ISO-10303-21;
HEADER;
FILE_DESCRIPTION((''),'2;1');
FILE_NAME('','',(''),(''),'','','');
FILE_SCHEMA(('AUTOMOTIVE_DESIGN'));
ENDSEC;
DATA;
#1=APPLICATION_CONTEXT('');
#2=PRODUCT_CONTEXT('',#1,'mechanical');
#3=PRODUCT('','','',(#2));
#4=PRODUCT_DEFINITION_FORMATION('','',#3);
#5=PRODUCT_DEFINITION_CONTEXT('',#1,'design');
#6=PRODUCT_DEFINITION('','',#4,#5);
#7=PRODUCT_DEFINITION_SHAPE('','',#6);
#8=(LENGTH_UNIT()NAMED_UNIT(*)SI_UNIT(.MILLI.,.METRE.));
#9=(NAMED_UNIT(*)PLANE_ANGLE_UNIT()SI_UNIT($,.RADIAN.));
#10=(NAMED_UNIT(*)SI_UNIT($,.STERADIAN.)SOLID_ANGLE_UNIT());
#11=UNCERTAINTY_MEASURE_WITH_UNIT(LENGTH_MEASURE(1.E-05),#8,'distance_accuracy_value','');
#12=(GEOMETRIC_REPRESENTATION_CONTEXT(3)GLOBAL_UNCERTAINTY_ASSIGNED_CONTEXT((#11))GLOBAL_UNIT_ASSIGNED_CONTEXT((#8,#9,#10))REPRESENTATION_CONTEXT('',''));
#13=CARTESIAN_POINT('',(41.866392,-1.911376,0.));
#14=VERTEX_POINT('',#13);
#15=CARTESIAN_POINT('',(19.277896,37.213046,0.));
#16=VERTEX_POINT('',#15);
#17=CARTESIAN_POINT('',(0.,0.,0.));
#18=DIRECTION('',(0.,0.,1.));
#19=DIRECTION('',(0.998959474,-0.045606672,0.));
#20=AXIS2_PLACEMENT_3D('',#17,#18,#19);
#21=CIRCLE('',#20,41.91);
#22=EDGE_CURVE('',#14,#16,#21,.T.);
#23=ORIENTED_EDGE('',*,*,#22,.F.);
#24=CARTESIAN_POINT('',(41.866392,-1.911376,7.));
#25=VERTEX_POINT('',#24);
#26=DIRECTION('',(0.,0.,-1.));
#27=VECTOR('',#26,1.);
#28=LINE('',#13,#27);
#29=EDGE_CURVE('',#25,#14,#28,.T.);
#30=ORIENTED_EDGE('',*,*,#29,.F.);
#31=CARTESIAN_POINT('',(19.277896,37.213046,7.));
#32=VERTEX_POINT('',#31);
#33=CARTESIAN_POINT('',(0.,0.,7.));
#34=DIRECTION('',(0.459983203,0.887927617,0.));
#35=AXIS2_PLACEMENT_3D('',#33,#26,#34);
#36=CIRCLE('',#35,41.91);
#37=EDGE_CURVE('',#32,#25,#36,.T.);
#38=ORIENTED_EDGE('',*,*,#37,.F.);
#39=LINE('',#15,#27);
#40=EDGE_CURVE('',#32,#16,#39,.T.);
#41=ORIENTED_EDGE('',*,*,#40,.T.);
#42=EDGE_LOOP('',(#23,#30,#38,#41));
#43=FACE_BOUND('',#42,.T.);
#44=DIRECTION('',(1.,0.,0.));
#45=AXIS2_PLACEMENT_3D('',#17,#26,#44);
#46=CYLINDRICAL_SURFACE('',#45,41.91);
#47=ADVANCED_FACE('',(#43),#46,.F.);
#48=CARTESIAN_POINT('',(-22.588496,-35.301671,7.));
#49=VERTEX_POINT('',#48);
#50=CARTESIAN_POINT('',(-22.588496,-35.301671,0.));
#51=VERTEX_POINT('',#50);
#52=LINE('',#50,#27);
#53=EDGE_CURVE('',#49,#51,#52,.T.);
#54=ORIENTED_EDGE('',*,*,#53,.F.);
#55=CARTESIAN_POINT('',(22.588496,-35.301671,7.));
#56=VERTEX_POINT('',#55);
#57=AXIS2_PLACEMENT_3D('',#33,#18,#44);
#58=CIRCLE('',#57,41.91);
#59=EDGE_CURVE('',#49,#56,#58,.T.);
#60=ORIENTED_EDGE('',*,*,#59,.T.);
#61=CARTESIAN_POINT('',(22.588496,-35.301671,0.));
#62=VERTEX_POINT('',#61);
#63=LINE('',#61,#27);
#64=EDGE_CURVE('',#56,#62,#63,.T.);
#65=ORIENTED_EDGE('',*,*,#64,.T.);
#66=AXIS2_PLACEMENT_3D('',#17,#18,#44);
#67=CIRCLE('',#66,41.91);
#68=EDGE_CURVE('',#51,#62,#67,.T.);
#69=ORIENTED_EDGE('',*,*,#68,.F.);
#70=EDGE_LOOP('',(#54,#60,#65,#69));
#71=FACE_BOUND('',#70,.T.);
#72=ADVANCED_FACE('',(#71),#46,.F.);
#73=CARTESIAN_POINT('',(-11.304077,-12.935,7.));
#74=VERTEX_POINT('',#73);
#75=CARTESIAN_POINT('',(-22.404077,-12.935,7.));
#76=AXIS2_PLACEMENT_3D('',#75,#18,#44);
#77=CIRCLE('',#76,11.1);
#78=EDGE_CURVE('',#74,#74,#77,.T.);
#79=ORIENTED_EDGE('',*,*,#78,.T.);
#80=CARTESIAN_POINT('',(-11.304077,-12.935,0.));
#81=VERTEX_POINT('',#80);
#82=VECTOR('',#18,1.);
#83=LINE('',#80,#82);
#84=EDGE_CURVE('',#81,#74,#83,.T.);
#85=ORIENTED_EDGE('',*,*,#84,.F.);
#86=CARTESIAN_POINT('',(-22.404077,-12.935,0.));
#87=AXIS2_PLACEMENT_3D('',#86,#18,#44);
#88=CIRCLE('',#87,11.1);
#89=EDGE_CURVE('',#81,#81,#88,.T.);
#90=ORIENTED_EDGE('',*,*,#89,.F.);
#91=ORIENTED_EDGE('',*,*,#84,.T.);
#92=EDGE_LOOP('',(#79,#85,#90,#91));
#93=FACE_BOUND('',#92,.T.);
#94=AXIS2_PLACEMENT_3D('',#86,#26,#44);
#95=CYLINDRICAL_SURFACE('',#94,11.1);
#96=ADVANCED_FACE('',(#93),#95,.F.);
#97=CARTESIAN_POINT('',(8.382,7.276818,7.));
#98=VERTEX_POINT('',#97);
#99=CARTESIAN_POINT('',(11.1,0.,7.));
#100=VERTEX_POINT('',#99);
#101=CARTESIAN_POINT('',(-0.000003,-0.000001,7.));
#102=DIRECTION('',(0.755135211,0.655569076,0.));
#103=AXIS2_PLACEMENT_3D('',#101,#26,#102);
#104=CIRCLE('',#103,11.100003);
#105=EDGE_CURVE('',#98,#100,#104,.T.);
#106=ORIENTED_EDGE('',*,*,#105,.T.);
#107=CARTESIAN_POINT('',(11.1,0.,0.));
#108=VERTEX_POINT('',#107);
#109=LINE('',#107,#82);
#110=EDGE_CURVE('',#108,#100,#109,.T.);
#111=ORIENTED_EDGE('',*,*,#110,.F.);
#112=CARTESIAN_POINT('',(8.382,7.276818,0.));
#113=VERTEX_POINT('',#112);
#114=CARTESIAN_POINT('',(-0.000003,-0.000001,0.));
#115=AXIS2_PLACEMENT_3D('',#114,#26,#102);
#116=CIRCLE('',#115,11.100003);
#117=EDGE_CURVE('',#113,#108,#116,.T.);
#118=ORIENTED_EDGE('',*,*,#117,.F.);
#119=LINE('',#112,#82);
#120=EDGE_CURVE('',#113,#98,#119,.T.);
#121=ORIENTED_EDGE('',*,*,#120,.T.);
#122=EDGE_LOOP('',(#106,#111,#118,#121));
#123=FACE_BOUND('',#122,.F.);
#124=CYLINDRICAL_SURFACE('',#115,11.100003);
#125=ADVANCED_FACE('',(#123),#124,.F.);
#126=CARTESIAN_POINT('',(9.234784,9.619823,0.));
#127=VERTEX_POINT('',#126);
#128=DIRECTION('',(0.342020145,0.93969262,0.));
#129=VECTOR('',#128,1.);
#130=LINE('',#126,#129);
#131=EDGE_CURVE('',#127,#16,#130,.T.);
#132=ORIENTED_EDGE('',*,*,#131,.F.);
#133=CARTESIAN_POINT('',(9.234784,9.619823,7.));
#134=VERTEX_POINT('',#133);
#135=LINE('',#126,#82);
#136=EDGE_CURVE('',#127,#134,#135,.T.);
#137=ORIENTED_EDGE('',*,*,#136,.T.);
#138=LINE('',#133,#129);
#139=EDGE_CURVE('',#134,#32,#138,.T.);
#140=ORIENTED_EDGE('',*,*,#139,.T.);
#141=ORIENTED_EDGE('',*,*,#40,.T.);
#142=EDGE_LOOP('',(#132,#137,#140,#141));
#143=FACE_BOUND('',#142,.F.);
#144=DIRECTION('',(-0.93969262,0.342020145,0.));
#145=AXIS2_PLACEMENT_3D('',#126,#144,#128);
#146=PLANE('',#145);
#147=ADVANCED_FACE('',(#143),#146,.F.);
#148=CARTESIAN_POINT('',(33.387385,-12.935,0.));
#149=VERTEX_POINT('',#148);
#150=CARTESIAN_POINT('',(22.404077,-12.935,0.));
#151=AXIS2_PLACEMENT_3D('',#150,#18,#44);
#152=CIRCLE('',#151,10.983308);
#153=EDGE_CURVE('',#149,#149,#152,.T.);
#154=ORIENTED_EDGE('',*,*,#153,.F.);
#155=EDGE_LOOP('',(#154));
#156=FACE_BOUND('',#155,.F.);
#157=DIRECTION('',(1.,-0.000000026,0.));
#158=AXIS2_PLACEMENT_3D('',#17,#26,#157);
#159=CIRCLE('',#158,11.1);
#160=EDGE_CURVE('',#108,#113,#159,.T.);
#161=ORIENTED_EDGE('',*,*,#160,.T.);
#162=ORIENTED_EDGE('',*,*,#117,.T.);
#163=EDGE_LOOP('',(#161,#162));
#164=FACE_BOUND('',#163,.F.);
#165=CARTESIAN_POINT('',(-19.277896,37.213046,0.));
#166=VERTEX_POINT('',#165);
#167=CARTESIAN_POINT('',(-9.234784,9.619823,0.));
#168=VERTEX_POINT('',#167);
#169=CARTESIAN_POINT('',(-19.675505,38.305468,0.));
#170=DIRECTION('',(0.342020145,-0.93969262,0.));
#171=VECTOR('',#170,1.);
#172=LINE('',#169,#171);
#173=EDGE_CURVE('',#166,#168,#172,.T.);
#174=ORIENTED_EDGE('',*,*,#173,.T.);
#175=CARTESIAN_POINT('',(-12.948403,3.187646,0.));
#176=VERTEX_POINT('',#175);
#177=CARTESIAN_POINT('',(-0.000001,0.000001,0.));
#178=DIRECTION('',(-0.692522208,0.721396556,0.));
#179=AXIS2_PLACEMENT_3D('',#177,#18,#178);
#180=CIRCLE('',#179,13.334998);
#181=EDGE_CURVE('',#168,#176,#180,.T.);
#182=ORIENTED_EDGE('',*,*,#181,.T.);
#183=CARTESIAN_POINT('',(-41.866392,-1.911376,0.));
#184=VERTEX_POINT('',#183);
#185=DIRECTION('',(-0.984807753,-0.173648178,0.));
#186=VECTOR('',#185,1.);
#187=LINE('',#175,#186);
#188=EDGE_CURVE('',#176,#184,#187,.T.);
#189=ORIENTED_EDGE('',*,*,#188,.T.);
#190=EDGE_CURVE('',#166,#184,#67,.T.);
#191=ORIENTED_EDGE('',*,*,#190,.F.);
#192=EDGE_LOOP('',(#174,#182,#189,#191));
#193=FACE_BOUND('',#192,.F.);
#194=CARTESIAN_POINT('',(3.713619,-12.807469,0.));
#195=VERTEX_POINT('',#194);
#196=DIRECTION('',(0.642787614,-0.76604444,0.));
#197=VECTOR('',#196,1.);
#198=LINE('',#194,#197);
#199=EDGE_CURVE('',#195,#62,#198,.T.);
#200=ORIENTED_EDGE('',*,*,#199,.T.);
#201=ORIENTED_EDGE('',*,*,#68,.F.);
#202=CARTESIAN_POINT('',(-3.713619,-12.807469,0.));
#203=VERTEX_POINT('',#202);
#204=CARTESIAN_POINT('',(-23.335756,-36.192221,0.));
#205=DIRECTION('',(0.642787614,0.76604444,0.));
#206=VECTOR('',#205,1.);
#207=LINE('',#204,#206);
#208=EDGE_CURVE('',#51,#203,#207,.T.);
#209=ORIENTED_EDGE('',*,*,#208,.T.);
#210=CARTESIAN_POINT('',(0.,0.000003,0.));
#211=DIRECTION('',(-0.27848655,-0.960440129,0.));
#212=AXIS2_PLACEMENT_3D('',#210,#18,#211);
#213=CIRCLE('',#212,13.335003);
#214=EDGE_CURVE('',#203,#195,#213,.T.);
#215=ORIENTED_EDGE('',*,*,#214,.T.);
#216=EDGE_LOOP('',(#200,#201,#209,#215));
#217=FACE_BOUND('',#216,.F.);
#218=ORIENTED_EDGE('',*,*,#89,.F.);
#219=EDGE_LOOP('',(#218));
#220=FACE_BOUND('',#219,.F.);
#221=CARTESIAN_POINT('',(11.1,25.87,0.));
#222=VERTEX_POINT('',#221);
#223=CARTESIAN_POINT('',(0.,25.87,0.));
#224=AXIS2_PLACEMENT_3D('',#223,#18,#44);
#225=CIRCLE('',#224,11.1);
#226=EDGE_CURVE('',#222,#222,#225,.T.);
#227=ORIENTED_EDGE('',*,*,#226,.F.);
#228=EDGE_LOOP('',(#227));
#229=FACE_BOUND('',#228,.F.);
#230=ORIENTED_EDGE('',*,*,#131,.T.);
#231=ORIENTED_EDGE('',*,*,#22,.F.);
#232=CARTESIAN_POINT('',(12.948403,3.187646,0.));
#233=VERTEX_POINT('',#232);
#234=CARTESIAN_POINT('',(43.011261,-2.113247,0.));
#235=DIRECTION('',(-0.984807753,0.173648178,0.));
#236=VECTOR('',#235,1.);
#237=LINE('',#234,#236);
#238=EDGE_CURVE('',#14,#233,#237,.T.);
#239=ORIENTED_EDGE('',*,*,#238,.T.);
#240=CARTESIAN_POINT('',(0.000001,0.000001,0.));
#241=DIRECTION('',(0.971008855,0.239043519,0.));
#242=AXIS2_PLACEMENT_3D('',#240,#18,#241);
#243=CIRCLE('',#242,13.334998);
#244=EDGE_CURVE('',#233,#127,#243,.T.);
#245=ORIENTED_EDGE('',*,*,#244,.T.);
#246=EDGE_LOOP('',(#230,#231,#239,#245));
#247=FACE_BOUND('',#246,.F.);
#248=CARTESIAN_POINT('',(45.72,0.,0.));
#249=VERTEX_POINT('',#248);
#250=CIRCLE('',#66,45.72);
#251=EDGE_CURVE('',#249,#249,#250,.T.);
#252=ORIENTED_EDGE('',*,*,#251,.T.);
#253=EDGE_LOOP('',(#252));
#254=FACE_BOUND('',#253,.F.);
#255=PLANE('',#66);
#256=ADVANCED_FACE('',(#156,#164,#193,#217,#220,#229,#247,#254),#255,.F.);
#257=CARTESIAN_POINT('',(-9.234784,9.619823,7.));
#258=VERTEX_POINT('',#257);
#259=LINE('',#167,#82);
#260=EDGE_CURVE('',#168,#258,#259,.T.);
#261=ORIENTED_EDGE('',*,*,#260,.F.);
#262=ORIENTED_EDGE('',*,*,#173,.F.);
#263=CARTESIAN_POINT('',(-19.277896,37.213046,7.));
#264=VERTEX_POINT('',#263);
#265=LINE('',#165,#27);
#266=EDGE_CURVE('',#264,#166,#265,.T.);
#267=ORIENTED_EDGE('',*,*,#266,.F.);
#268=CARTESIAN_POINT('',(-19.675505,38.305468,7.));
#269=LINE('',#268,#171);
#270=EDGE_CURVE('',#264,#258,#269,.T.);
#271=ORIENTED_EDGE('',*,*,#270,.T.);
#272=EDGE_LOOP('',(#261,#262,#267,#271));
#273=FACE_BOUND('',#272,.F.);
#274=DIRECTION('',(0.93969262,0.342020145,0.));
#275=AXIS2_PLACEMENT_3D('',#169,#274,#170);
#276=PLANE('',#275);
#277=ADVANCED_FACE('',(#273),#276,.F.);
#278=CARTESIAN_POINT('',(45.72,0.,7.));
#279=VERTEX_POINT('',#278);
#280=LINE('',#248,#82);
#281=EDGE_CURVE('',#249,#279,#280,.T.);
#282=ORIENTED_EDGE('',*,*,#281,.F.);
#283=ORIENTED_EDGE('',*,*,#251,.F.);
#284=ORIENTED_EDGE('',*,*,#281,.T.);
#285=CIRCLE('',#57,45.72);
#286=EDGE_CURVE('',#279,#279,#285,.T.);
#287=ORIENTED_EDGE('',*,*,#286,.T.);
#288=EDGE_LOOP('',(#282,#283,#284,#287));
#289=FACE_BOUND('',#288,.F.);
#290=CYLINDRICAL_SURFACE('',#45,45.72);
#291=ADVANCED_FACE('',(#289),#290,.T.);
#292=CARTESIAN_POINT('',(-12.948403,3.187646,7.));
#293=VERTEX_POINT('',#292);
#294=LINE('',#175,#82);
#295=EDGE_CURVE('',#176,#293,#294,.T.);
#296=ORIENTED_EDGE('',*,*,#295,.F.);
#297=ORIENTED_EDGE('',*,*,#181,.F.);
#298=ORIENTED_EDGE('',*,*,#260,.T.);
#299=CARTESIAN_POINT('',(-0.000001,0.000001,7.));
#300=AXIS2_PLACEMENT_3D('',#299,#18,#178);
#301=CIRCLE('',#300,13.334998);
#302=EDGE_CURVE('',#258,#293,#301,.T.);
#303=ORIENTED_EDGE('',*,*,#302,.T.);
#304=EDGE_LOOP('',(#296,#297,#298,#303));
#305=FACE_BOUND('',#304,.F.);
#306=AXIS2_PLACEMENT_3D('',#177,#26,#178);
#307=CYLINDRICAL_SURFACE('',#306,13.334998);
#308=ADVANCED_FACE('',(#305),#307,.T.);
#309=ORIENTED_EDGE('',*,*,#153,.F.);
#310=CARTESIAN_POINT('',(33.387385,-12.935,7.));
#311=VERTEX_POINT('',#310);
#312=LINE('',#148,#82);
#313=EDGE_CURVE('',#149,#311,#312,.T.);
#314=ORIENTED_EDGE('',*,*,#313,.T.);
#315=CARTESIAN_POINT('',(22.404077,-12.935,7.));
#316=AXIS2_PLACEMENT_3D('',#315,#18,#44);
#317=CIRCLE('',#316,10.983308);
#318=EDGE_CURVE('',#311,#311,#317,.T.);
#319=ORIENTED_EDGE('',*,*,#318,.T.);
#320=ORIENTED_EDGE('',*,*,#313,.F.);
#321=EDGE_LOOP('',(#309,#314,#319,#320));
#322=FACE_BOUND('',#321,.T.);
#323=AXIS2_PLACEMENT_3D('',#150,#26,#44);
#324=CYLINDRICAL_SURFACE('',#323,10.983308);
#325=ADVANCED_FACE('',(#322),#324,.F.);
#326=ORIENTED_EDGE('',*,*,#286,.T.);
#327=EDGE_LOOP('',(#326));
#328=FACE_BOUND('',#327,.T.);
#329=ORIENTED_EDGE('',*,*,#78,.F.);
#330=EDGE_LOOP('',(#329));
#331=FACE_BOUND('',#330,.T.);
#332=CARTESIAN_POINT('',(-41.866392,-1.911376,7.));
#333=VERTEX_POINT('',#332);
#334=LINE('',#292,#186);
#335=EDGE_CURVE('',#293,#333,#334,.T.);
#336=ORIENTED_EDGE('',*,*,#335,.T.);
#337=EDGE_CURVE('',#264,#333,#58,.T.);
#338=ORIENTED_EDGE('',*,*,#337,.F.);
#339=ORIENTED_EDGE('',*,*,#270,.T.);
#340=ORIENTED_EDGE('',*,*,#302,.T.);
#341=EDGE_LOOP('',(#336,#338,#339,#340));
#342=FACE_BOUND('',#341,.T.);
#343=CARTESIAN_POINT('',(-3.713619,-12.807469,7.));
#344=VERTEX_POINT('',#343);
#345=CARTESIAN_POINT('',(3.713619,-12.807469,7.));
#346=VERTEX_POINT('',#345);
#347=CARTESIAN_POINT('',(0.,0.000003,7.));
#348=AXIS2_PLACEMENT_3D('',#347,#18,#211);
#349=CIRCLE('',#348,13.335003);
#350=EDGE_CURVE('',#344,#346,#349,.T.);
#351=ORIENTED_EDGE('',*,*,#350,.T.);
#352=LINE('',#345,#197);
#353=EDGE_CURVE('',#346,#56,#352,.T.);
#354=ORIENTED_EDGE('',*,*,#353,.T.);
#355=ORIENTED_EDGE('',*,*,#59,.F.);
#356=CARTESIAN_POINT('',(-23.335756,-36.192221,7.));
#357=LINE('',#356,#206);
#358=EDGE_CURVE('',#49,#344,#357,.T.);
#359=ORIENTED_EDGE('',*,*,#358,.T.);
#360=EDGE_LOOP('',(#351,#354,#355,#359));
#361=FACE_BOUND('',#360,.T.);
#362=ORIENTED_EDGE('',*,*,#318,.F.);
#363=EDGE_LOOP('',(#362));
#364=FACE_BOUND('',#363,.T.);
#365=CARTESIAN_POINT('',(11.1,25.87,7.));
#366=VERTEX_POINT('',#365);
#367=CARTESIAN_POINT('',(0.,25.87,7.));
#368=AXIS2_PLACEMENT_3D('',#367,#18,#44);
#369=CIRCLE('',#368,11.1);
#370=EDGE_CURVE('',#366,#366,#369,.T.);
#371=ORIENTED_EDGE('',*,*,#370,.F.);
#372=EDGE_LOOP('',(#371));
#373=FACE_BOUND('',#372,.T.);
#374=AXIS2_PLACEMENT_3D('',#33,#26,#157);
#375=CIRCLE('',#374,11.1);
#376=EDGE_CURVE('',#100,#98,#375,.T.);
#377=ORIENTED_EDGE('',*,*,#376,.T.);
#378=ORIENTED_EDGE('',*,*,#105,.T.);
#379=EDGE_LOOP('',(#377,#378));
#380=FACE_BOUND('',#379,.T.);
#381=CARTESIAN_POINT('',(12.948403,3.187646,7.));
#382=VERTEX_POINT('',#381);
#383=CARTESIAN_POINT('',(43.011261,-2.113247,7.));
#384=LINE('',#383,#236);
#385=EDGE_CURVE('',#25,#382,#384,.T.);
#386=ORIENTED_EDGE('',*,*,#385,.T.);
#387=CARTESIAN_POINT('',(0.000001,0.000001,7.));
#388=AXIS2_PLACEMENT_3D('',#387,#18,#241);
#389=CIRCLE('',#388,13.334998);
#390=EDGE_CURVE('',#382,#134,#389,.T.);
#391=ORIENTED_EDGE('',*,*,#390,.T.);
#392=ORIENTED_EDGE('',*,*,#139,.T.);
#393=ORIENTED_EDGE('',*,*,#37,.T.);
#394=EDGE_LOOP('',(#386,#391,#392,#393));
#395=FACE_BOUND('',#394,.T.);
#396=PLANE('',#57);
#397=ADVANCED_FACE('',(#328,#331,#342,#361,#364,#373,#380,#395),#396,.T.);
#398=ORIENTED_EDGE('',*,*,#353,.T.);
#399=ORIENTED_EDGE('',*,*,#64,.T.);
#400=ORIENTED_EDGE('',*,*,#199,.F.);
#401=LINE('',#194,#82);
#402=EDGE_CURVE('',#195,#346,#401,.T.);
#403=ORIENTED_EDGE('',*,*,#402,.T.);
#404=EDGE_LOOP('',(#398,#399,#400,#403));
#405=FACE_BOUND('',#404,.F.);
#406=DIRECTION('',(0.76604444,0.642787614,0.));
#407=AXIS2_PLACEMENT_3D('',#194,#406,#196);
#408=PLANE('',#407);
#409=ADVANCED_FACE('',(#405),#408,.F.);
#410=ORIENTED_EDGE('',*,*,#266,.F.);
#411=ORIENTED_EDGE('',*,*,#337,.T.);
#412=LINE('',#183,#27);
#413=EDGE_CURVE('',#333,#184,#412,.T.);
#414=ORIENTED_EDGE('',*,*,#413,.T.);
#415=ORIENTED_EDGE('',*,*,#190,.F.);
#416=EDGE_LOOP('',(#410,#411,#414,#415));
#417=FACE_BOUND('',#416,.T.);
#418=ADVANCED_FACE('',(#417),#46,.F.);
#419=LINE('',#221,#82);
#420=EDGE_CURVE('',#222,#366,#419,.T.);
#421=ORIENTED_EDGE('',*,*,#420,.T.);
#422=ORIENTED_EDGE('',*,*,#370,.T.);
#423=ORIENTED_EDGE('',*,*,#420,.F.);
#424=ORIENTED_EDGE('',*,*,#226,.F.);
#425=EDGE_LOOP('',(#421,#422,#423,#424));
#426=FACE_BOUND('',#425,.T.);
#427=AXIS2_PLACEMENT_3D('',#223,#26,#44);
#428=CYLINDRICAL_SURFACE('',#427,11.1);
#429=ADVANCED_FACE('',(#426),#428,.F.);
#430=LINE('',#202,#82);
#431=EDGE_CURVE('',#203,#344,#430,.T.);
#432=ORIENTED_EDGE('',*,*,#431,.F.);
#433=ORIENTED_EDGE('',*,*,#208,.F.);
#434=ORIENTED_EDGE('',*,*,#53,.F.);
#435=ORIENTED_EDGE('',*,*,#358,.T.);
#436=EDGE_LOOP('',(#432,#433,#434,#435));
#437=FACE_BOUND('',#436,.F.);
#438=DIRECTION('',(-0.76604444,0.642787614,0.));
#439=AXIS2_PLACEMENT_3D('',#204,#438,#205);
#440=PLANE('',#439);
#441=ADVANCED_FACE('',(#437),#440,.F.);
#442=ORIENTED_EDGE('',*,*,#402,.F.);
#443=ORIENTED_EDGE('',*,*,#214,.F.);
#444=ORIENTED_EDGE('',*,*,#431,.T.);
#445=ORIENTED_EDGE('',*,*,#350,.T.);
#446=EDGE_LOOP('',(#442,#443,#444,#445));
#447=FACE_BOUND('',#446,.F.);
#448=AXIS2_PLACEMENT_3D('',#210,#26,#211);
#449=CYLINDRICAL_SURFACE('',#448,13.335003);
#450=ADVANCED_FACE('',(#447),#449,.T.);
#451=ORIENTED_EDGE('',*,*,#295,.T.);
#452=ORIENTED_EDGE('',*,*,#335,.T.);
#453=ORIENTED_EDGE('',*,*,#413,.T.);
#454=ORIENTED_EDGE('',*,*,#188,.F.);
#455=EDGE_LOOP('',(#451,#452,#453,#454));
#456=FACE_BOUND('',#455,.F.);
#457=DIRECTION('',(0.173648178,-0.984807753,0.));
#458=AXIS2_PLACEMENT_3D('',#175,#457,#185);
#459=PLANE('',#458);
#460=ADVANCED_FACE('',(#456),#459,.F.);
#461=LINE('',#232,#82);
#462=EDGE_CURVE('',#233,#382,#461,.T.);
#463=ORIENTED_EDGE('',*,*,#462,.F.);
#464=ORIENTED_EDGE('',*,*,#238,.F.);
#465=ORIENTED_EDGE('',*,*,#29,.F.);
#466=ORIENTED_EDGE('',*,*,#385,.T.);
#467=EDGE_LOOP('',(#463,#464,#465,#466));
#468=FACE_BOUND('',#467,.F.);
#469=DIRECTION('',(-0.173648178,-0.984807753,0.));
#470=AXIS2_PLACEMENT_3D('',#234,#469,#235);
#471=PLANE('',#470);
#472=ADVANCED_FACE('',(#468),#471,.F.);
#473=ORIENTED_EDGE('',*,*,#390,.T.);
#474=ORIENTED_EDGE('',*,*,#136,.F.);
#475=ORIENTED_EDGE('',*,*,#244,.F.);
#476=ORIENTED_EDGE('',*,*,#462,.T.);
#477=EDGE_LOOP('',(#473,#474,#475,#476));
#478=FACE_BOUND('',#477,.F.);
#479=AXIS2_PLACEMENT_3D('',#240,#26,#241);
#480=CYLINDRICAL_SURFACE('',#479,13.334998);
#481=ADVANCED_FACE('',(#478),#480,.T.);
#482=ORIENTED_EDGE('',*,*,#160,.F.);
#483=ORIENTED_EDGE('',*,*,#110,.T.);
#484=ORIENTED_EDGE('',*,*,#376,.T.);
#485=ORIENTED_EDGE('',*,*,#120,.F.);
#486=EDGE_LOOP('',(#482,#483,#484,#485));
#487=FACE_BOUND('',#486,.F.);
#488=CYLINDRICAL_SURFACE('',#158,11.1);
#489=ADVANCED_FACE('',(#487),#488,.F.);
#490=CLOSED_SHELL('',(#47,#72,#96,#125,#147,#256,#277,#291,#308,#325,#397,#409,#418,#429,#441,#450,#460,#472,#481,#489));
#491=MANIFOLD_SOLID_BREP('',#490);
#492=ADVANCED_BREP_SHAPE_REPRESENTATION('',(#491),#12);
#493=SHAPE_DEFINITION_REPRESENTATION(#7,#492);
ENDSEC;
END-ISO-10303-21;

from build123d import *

# Parameters (mm, degrees)
F0_R     = 11.1
F0_R_2   = 10.983308
F1_DEPTH = 7
F2_R     = 45.72
F2_R_2   = 41.91
F3_DEPTH = 7


with BuildPart() as f1:
    # F0 (on Top) → F1 (new body)
    with BuildSketch(Plane.XY):
        with BuildLine():
            ThreePointArc((12.948403, 3.187646), (11.548449, 6.6675), (9.234784, 9.619823))
            Line((9.234784, 9.619823), (19.675505, 38.305468))
            ThreePointArc((19.675505, 38.305468), (0, 43.586091), (-19.675505, 38.305468))
            Line((-19.675505, 38.305468), (-9.234784, 9.619823))
            ThreePointArc((-9.234784, 9.619823), (-11.548449, 6.6675), (-12.948403, 3.187646))
            Line((-12.948403, 3.187646), (-43.011261, -2.113247))
            ThreePointArc((-43.011261, -2.113247), (-37.746662, -21.793046), (-23.335756, -36.192221))
            Line((-23.335756, -36.192221), (-3.713619, -12.807469))
            ThreePointArc((-3.713619, -12.807469), (0, -13.335), (3.713619, -12.807469))
            Line((3.713619, -12.807469), (23.335756, -36.192221))
            ThreePointArc((23.335756, -36.192221), (37.746662, -21.793046), (43.011261, -2.113247))
            Line((43.011261, -2.113247), (12.948403, 3.187646))
        make_face()
        with Locations((-22.404077, -12.935)):
            Circle(F0_R, mode=Mode.SUBTRACT)
        with BuildLine():
            ThreePointArc((8.382, 7.276818), (10.398322, 3.883928), (11.1, 0))
            ThreePointArc((11.1, 0), (-10.398322, -3.883928), (8.382, 7.276818))
        make_face(mode=Mode.SUBTRACT)
        with Locations((22.404077, -12.935)):
            Circle(F0_R_2, mode=Mode.SUBTRACT)
        with Locations((0, 25.87)):
            Circle(F0_R, mode=Mode.SUBTRACT)
    extrude(amount=F1_DEPTH)

    # F2 (on Top) → F3 (join)
    with BuildSketch(Plane.XY):
        Circle(F2_R)
        Circle(F2_R_2, mode=Mode.SUBTRACT)
    extrude(amount=F3_DEPTH)


solid = f1.part
